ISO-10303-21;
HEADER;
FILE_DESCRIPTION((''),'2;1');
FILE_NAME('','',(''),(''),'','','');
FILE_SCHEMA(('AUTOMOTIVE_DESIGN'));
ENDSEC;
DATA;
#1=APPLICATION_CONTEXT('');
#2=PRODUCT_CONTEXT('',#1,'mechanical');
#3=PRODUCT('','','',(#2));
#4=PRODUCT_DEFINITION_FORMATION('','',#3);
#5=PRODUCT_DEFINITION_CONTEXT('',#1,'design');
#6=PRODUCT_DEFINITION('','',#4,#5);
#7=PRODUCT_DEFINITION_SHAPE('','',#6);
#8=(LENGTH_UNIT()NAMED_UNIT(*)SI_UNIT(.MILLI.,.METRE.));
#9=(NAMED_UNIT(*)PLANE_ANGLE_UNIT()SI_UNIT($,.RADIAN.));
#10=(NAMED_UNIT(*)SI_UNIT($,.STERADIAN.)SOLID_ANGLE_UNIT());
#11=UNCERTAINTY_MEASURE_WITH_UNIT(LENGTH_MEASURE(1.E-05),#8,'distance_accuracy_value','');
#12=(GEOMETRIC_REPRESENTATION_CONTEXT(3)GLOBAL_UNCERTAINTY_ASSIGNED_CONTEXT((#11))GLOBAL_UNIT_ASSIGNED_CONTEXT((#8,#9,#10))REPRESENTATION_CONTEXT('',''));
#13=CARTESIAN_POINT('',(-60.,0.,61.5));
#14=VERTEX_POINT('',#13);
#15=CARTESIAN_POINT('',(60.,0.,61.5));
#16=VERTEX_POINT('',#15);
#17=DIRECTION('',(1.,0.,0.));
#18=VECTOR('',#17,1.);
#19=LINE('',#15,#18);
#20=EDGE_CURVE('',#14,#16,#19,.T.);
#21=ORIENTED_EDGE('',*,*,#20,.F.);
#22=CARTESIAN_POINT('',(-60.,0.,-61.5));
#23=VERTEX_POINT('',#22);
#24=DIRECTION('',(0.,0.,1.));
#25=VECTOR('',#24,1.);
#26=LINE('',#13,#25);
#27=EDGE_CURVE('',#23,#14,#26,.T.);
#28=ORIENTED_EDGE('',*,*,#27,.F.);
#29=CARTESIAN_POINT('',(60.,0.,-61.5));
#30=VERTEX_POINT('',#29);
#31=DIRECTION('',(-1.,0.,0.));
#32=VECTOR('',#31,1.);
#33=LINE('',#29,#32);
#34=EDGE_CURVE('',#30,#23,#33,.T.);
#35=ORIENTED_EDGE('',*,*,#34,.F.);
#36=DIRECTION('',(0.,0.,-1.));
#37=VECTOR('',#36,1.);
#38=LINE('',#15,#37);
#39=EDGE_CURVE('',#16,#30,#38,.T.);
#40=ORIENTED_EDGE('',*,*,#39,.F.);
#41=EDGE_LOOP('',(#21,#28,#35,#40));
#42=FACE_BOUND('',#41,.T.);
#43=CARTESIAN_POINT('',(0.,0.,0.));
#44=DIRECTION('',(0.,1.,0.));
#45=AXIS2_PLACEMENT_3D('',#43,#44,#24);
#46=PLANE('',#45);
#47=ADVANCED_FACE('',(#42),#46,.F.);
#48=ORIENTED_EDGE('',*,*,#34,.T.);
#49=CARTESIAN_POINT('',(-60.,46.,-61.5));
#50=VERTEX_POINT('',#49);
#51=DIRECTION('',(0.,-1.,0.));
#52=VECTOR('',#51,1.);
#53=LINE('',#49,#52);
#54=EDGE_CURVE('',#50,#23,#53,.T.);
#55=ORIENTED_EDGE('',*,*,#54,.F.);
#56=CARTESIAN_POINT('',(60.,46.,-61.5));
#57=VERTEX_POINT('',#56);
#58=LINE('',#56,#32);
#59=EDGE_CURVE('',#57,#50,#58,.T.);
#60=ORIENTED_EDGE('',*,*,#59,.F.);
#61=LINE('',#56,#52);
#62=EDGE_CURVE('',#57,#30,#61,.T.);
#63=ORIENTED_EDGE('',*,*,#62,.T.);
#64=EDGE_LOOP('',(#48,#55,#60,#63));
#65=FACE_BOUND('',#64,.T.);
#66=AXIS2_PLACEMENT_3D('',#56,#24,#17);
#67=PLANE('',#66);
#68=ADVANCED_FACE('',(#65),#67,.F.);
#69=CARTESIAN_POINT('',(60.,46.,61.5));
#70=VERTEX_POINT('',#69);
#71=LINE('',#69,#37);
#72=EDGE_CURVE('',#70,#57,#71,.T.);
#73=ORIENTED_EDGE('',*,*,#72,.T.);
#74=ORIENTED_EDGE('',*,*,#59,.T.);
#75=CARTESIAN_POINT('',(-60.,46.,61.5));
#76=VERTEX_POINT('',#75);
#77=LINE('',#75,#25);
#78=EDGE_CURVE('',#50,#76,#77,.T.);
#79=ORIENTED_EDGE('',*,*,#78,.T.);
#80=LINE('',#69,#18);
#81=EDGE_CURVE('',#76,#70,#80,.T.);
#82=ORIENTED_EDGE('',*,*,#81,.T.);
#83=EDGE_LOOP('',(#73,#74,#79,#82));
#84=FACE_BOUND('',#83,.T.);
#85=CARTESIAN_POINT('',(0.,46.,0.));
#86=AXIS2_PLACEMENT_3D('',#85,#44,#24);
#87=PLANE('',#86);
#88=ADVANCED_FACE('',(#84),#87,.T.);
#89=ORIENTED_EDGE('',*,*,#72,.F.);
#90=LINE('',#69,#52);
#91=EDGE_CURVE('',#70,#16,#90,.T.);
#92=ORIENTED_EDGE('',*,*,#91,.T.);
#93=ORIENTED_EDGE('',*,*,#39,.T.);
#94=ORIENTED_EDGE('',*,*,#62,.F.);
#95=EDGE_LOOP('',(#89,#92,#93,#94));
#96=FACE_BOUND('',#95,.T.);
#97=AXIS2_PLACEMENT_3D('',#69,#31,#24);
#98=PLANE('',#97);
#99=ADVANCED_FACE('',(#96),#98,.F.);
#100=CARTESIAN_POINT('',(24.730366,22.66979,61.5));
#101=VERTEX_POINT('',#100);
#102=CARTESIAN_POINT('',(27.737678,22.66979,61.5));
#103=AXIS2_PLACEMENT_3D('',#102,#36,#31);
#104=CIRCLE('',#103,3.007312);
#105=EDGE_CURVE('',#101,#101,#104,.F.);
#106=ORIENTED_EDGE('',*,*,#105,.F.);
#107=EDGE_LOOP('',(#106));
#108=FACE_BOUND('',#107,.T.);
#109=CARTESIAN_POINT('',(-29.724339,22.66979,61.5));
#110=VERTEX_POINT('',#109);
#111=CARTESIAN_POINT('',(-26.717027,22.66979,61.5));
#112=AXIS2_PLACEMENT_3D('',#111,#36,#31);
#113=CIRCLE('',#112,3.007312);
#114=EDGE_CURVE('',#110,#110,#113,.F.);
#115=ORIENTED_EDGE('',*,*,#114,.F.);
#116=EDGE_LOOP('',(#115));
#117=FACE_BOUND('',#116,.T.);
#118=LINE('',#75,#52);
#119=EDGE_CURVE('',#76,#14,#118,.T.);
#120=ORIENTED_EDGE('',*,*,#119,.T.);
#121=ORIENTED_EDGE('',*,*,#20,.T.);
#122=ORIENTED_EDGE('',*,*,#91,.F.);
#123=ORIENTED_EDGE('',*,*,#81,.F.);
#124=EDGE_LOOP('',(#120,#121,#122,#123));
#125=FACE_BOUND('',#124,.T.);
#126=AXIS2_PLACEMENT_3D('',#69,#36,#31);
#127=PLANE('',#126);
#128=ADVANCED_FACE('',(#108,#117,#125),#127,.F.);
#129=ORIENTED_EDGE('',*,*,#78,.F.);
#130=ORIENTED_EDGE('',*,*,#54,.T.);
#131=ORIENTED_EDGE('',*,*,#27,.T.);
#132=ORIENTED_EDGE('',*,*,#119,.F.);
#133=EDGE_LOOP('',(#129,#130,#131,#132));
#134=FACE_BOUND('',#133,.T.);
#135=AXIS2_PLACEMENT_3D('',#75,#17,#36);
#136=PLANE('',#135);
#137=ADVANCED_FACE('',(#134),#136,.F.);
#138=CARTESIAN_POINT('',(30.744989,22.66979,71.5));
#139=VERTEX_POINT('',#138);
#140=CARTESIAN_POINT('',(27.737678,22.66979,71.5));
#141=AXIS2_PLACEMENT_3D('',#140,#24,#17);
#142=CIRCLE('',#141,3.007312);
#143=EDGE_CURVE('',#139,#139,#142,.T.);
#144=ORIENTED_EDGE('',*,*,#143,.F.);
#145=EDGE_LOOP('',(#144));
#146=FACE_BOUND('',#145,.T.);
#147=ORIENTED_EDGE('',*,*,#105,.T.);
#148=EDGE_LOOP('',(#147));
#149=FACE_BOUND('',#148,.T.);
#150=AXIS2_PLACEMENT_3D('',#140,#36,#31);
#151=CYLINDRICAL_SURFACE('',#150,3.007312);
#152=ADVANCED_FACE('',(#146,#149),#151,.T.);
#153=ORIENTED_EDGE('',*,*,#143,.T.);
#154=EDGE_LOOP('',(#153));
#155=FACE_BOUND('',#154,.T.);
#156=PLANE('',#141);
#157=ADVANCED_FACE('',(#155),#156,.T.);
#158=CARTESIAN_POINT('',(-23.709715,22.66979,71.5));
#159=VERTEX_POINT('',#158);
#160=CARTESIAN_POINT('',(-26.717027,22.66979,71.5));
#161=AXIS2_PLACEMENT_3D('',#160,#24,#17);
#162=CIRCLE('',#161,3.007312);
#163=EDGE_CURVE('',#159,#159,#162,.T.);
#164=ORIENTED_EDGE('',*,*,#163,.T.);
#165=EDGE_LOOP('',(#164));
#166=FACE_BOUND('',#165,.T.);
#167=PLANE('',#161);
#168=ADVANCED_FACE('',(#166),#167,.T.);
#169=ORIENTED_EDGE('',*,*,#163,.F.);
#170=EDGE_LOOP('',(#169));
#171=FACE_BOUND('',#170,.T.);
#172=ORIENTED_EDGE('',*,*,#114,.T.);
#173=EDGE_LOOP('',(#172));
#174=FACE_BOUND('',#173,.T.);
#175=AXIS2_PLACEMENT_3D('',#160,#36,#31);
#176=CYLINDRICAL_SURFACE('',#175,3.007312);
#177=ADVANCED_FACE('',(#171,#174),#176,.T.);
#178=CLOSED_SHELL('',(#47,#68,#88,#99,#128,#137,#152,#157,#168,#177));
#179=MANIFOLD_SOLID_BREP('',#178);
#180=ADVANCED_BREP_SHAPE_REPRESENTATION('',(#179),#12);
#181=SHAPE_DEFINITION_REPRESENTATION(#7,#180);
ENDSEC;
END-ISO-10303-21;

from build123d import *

# Parameters (mm, degrees)
SKIZZE1_W                       = 120
SKIZZE1_H                       = 123
AUFSATZ_LINEAR_AUSTRAGEN1_DEPTH = 46
SKIZZE2_R                       = 3.007311743
AUFSATZ_LINEAR_AUSTRAGEN2_DEPTH = 10


with BuildPart() as part:
    # Skizze1 → Aufsatz-Linear austragen1 (new body)
    with BuildSketch(Plane(origin=(0, 0, 0), x_dir=(1, 0, 0), z_dir=(0, 1, 0))):
        Rectangle(SKIZZE1_W, SKIZZE1_H)
    extrude(amount=AUFSATZ_LINEAR_AUSTRAGEN1_DEPTH)

    # Skizze2 → Aufsatz-Linear austragen2 (add)
    with BuildSketch(Plane.XY.offset(61.5)):
        with Locations(Location((-26.717027071, 22.669789553, 0), (0, 0, 180))):
            Circle(SKIZZE2_R)
        with Locations(Location((27.737677543, 22.669789553, 0), (0, 0, 180))):
            Circle(SKIZZE2_R)
    extrude(amount=AUFSATZ_LINEAR_AUSTRAGEN2_DEPTH)


solid = part.part
